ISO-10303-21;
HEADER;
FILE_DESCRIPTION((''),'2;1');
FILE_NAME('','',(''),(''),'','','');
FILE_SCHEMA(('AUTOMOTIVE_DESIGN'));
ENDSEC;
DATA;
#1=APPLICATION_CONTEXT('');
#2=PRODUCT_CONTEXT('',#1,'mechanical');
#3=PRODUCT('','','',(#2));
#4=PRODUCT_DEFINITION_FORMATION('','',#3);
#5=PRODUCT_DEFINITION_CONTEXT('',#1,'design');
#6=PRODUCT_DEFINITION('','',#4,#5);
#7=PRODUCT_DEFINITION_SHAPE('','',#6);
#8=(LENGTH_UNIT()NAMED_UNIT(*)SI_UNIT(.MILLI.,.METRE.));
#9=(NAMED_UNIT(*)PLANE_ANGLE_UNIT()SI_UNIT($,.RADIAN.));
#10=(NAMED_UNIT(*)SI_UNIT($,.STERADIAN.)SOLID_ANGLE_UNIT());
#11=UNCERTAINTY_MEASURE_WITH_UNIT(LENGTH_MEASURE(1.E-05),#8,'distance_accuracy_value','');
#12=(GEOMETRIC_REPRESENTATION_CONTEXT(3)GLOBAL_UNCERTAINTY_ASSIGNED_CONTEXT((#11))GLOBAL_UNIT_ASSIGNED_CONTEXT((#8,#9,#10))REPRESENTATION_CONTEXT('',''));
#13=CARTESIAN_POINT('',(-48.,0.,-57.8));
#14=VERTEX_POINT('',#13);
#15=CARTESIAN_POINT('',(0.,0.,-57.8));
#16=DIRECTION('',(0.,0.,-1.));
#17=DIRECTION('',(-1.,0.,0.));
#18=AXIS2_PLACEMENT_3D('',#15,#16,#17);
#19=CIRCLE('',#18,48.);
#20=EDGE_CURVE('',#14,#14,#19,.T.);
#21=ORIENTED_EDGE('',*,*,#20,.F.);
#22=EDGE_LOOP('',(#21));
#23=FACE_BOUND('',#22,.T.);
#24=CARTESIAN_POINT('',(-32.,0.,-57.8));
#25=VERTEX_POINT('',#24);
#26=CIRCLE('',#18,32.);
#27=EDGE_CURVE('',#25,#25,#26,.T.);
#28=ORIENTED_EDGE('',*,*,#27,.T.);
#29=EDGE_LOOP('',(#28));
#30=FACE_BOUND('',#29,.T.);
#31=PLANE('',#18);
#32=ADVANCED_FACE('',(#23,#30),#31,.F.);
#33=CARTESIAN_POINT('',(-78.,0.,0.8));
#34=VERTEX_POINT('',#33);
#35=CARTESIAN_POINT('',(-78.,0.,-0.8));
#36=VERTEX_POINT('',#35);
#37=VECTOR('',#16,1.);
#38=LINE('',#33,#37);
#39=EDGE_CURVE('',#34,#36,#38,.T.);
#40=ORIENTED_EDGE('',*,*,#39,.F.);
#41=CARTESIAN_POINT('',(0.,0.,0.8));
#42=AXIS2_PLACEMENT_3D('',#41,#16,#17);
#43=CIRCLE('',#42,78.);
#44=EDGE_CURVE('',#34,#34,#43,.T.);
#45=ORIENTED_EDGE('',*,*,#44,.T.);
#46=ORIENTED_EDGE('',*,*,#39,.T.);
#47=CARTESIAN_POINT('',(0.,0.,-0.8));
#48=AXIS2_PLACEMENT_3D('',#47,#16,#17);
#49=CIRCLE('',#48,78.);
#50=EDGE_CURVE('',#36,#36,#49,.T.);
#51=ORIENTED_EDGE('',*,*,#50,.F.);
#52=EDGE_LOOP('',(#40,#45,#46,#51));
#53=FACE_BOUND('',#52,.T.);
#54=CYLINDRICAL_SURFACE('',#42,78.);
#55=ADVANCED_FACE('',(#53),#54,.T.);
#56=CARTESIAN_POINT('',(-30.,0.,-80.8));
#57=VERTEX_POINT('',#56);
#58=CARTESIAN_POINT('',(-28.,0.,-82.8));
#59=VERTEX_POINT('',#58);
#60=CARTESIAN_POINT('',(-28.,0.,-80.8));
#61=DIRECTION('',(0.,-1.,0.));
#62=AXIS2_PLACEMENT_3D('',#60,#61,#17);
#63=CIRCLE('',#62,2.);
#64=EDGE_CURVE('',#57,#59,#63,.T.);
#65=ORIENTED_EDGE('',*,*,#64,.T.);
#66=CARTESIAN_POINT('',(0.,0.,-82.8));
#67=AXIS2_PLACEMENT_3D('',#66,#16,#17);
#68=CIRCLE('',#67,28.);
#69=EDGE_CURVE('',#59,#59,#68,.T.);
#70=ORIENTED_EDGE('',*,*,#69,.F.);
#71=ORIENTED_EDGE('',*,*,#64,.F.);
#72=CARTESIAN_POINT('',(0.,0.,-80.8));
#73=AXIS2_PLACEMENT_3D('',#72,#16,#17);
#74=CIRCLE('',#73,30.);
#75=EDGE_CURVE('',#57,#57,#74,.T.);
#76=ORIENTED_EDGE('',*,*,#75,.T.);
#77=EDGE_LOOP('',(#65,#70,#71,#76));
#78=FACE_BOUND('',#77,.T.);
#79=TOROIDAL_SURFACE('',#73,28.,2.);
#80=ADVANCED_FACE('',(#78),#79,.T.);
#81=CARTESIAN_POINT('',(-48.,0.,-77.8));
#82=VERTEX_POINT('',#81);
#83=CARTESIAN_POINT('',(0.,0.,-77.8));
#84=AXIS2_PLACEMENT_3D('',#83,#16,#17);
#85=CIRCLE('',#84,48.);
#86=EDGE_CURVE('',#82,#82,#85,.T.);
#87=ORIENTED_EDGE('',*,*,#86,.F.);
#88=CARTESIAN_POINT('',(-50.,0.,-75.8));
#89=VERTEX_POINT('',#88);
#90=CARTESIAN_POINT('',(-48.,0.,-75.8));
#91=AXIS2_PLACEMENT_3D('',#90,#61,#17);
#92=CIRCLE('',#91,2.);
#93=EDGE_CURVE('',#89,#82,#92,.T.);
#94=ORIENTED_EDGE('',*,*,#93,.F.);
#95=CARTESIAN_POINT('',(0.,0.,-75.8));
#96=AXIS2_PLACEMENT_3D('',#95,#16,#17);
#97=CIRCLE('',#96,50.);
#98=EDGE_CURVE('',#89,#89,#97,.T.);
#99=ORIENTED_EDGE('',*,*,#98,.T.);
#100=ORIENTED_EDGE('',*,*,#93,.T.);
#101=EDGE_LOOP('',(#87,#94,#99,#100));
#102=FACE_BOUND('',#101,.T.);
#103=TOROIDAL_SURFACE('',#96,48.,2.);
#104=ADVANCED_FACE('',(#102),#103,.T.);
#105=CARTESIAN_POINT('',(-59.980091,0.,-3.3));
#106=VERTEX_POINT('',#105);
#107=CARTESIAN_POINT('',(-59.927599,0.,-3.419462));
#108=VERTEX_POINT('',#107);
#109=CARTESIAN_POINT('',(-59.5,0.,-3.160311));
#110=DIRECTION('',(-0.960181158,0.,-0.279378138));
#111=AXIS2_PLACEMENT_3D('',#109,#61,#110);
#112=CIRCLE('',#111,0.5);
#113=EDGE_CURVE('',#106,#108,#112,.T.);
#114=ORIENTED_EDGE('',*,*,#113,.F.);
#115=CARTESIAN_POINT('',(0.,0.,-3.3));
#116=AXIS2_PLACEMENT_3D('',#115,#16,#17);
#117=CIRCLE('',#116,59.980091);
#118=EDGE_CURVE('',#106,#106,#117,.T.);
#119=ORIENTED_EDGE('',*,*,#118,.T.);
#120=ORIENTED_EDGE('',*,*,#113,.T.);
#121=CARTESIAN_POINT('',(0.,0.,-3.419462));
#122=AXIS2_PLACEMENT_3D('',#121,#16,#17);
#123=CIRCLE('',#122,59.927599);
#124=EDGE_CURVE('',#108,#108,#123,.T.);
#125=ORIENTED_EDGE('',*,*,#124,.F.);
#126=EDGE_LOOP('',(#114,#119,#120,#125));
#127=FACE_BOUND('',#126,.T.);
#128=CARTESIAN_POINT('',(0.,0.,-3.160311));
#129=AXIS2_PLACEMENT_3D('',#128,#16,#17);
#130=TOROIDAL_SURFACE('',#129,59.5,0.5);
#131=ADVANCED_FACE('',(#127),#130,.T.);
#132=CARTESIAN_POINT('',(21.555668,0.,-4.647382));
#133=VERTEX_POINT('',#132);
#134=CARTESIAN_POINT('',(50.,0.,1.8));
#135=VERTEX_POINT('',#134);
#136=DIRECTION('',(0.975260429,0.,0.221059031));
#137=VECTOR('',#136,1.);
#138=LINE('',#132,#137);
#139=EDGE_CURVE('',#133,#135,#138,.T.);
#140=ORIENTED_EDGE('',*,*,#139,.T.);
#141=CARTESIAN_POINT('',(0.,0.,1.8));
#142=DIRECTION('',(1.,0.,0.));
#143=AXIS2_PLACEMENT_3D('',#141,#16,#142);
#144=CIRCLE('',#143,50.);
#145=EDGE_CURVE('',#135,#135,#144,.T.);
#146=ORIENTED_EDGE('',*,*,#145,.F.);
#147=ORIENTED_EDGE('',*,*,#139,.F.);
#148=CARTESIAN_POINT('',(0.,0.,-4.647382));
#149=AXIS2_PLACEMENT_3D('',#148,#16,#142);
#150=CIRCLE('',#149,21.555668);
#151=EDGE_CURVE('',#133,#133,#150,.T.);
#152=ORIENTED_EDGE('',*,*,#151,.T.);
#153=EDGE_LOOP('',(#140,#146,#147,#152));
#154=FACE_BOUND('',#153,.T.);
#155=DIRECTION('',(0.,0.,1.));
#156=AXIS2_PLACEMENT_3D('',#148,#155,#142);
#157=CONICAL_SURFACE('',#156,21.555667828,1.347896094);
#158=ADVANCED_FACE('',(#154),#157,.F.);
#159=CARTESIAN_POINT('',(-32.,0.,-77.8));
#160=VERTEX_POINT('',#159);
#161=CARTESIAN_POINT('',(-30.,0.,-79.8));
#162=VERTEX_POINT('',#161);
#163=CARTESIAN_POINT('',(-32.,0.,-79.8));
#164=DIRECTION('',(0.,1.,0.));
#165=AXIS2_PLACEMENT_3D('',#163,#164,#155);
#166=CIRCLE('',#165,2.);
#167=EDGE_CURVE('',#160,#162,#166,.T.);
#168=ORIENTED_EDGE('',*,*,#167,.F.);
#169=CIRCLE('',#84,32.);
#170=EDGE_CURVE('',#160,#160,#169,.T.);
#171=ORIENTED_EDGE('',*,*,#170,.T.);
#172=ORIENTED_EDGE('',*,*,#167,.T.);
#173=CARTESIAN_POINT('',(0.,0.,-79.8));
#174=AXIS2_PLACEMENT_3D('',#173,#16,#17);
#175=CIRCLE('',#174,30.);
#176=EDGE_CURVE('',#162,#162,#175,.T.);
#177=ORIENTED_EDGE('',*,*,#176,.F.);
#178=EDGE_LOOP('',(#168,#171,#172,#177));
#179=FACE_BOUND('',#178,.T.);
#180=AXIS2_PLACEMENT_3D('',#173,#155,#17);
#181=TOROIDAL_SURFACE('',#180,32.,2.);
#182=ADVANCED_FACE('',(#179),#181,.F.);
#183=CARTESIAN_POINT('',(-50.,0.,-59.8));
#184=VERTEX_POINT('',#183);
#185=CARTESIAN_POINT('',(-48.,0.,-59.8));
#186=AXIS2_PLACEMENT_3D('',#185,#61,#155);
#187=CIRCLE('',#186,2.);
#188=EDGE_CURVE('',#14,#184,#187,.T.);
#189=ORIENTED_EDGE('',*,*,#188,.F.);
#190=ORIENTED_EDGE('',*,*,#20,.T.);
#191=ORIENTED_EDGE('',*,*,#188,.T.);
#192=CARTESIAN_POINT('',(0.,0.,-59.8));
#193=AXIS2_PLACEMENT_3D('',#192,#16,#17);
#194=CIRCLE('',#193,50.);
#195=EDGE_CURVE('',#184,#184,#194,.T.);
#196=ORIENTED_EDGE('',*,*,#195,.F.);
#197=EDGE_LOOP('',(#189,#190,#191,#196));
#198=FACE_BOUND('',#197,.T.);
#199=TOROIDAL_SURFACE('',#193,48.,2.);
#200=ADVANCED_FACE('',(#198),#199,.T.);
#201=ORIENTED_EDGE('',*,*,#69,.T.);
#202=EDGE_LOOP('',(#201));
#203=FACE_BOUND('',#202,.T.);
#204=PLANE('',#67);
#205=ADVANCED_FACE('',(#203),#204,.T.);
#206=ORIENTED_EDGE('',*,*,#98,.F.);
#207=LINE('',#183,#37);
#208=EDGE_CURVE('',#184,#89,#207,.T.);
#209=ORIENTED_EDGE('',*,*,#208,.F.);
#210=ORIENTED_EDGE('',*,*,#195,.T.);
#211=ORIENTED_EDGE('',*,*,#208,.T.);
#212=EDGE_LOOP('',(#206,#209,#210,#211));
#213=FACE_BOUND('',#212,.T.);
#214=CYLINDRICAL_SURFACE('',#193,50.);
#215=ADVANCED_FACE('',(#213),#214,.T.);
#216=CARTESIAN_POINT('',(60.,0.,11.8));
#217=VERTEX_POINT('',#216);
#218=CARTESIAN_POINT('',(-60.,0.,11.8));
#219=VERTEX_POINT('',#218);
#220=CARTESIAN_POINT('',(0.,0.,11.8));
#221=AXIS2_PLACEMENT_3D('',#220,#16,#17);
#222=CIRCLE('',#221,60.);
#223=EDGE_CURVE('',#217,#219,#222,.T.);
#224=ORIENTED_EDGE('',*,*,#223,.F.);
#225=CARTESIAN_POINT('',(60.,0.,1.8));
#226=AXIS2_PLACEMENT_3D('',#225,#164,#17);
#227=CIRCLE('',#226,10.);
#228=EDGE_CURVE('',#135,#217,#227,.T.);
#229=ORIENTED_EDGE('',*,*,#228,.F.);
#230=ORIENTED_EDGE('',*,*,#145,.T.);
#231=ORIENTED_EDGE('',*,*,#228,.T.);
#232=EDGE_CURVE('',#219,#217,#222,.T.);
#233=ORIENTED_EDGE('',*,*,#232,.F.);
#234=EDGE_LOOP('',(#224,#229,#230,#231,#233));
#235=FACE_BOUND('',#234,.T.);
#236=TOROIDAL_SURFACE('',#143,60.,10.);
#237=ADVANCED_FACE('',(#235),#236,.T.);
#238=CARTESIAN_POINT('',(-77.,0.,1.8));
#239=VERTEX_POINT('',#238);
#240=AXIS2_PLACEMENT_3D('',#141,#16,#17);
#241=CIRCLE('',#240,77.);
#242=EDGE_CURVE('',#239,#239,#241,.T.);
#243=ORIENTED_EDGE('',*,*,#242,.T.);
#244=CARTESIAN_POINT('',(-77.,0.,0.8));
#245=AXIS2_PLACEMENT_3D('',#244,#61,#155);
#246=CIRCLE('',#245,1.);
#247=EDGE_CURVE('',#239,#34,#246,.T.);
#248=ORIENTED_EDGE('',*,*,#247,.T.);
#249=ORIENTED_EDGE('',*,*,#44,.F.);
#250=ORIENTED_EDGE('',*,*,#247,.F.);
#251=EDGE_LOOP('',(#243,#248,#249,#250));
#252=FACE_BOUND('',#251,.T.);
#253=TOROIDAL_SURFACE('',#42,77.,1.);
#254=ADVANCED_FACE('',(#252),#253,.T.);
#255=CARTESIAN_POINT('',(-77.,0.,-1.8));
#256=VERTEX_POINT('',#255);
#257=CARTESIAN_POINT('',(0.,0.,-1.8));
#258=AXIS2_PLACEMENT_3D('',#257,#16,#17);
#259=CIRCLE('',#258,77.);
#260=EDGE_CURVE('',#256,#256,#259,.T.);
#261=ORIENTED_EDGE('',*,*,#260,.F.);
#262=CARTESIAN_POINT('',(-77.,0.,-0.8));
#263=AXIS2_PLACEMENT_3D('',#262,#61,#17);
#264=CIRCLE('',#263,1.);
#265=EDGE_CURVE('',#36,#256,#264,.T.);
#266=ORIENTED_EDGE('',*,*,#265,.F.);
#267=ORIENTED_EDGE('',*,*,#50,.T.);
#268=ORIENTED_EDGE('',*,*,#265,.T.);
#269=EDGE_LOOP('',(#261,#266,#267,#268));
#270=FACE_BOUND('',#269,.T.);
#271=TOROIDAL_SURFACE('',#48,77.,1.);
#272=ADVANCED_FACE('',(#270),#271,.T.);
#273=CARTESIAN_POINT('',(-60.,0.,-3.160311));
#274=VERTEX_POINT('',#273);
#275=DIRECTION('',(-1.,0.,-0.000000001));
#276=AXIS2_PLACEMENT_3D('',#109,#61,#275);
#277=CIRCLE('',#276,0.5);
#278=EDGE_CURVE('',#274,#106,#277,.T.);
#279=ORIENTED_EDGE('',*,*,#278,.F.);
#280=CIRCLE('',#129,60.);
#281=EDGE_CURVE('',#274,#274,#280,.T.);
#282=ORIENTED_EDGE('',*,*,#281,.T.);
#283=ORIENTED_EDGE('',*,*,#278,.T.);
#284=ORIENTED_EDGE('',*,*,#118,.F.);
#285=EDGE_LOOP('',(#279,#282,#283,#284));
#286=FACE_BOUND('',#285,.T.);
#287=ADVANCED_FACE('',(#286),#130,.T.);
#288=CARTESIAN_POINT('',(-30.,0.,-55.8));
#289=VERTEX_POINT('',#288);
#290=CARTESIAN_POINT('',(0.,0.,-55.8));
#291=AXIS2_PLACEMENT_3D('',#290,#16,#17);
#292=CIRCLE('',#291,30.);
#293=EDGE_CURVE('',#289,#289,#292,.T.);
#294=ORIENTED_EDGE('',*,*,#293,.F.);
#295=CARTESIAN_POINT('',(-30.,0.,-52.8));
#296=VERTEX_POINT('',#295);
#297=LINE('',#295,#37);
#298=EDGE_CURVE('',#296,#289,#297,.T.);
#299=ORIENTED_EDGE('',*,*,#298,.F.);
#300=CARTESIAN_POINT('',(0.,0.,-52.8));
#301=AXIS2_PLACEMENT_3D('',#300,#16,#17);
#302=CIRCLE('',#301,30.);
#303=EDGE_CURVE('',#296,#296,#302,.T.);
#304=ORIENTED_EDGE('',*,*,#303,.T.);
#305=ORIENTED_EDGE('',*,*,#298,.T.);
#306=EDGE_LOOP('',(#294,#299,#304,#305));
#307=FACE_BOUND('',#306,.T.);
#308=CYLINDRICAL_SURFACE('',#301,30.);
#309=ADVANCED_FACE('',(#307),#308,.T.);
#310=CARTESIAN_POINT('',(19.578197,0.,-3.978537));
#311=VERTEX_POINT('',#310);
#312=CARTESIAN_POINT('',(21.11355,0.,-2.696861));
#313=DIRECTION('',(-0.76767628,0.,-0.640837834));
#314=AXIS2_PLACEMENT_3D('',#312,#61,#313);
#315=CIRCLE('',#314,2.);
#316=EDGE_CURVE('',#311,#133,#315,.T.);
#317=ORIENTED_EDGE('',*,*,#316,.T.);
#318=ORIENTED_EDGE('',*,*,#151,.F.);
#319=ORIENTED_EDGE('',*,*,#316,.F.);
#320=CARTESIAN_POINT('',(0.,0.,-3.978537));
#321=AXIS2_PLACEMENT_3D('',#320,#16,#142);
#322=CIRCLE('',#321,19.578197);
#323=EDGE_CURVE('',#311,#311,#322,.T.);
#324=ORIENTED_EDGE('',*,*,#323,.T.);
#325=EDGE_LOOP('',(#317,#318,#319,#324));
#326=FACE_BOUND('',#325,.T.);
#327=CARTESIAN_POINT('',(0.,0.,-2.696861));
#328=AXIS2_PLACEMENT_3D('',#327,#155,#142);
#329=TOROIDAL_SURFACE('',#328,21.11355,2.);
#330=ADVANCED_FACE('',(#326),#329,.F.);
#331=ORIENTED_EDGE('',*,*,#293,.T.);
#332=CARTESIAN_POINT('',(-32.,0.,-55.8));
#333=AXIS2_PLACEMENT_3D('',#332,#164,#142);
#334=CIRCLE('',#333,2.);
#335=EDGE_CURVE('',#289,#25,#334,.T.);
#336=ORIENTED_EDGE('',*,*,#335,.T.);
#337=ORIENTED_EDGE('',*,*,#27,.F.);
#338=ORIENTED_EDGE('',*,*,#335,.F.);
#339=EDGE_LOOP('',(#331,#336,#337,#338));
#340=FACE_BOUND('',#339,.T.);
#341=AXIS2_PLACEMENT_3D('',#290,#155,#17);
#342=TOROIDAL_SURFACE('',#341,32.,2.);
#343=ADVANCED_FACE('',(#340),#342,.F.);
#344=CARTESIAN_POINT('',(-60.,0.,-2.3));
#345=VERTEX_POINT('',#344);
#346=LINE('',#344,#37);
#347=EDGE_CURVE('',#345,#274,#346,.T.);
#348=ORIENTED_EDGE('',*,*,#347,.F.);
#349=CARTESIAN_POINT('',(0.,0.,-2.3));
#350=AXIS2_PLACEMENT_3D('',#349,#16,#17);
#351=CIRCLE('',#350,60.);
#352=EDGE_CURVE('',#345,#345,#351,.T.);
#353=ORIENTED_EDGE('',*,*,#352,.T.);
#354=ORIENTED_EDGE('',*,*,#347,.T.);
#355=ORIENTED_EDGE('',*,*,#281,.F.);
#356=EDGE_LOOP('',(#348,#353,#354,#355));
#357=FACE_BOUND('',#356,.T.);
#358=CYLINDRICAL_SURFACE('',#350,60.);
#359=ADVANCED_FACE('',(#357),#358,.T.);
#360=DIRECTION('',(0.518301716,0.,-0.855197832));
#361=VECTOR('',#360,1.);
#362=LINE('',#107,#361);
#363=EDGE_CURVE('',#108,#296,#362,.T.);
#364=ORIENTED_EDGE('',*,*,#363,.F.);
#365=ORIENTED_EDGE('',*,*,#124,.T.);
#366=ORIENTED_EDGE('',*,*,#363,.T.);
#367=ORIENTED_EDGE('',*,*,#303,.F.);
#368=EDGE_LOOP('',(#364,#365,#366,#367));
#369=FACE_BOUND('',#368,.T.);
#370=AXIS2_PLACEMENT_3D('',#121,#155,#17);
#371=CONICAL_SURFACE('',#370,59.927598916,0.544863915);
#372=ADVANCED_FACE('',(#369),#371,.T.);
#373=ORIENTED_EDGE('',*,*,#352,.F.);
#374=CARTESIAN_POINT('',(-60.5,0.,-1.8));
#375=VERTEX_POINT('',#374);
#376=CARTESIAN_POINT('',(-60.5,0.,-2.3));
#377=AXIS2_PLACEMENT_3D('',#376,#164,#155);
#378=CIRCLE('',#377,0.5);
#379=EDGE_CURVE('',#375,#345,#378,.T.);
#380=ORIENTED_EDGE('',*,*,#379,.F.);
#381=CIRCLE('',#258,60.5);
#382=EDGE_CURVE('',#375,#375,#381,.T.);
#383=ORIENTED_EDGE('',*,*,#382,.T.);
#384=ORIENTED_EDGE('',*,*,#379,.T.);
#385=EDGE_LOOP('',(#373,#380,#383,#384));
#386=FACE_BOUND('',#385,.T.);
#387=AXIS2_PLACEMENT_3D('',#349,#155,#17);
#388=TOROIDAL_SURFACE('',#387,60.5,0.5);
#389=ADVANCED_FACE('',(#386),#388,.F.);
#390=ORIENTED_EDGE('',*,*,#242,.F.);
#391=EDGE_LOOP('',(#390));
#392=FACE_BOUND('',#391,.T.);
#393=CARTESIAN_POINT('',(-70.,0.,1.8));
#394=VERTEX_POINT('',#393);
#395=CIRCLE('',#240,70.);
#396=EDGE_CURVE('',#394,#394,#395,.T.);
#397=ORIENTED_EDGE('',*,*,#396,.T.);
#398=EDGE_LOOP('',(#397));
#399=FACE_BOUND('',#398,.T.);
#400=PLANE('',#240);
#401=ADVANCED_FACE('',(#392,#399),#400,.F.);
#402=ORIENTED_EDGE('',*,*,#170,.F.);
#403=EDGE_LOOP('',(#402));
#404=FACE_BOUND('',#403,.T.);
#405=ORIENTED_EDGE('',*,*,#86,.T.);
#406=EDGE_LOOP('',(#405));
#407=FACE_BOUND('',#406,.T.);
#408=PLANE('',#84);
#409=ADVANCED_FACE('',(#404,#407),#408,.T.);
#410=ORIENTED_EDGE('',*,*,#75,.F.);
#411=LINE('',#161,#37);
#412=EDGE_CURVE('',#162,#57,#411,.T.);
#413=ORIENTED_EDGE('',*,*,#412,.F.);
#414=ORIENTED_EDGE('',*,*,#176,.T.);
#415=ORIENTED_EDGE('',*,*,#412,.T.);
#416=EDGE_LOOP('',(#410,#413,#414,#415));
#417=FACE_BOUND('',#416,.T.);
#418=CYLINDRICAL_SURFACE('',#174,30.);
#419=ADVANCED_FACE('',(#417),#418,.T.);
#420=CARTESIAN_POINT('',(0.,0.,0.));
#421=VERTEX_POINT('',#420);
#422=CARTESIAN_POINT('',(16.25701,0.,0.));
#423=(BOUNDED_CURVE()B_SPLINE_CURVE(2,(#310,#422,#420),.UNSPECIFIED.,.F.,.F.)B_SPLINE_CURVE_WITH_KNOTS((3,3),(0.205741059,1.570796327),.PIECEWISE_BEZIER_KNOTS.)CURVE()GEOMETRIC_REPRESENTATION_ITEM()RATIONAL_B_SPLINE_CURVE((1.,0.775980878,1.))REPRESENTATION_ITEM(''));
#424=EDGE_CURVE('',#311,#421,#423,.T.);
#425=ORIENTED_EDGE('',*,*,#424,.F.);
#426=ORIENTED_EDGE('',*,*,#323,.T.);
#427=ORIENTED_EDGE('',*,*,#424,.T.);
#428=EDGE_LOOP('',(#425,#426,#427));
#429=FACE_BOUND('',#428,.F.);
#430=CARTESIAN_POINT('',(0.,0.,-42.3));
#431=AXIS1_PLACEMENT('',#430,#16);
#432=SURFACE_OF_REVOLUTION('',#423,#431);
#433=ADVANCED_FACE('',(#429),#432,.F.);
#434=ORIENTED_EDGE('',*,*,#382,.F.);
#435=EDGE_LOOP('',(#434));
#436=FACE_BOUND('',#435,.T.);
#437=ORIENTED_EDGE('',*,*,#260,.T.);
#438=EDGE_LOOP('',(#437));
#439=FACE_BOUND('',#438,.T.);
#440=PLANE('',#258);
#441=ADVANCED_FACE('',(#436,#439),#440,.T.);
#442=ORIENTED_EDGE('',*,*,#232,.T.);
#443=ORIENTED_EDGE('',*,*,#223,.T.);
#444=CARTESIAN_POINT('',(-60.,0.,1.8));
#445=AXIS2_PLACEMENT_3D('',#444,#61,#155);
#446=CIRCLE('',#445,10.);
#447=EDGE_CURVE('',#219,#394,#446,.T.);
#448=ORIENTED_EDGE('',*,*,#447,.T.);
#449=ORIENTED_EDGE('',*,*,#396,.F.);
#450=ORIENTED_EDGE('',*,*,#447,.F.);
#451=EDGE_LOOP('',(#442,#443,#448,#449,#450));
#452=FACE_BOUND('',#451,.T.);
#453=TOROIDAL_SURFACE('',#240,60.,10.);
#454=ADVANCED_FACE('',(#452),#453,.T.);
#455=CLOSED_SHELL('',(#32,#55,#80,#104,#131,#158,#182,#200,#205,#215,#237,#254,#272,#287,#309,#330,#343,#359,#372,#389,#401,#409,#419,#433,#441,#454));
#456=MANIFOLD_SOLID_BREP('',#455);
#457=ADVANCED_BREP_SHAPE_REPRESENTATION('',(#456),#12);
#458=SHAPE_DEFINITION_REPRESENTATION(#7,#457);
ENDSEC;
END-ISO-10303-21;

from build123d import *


with BuildPart() as f1:
    # F0 (on Front) → F1 (revolve)
    with BuildSketch(Plane.XZ):
        with BuildLine():
            Line((-50, 1.8), (0, 1.8))
            Line((0, 1.8), (0, 11.8))
            Line((0, 11.8), (-60, 11.8))
            ThreePointArc((-60, 11.8), (-67.0710678119, 8.8710678119), (-70, 1.8))
            Line((-70, 1.8), (-50, 1.8))
        make_face()
        with BuildLine():
            Line((0, -52.8), (0, -3.3))
            Line((0, -3.3), (-59.9800905789, -3.3))
            ThreePointArc((-59.9800905789, -3.3), (-59.9577584892, -3.3614505977), (-59.9275989158, -3.419461789))
            Line((-59.9275989158, -3.419461789), (-30, -52.8))
            Line((-30, -52.8), (0, -52.8))
        make_face()
        with BuildLine():
            Line((0, -82.8), (0, -52.8))
            Line((0, -52.8), (-30, -52.8))
            Line((-30, -52.8), (-30, -55.8))
            ThreePointArc((-30, -55.8), (-30.5857864376, -57.2142135624), (-32, -57.8))
            Line((-32, -57.8), (-48, -57.8))
            ThreePointArc((-48, -57.8), (-49.4142135624, -58.3857864376), (-50, -59.8))
            Line((-50, -59.8), (-50, -75.8))
            ThreePointArc((-50, -75.8), (-49.4142135624, -77.2142135624), (-48, -77.8))
            Line((-48, -77.8), (-32, -77.8))
            ThreePointArc((-32, -77.8), (-30.5857864376, -78.3857864376), (-30, -79.8))
            Line((-30, -79.8), (-30, -80.8))
            ThreePointArc((-30, -80.8), (-29.4142135624, -82.2142135624), (-28, -82.8))
            Line((-28, -82.8), (0, -82.8))
        make_face()
        with BuildLine():
            Line((0, 0), (0, 1.8))
            Line((0, 1.8), (-50, 1.8))
            Line((-50, 1.8), (-70, 1.8))
            Line((-70, 1.8), (-77, 1.8))
            ThreePointArc((-77, 1.8), (-77.7071067812, 1.5071067812), (-78, 0.8))
            Line((-78, 0.8), (-78, -0.8))
            ThreePointArc((-78, -0.8), (-77.7071067812, -1.5071067812), (-77, -1.8))
            Line((-77, -1.8), (-60.5, -1.8))
            Line((-60.5, -1.8), (-60, -1.8))
            Line((-60, -1.8), (0, -1.8))
            Line((0, -1.8), (0, 0))
        make_face()
        with BuildLine():
            Line((0, -3.3), (0, -1.8))
            Line((0, -1.8), (-60, -1.8))
            Line((-60, -1.8), (-60.5, -1.8))
            ThreePointArc((-60.5, -1.8), (-60.1464466094, -1.9464466094), (-60, -2.3))
            Line((-60, -2.3), (-60, -3.1603109309))
            ThreePointArc((-60, -3.1603109309), (-59.9949976209, -3.2308613049), (-59.9800905789, -3.3))
            Line((-59.9800905789, -3.3), (0, -3.3))
        make_face()
    revolve(axis=Axis((0, 0, -42.3), (0, 0, -1)))

    # F0 (on Front) → F2 (revolve, cut)
    with BuildSketch(Plane.XZ):
        with BuildLine():
            Line((0, 11.8), (0, 1.8))
            Line((0, 1.8), (0, 0))
            add(Edge.make_bspline(
                [(19.5781972069, -3.9785367686), (16.257009679, 0), (0, 0)],
                knots=[0.2057410594, 0.2057410594, 0.2057410594, 1.5707963268, 1.5707963268, 1.5707963268], degree=2, weights=[1, 0.7759808781, 1]))
            ThreePointArc((19.5781972069, -3.9785367686), (20.4727464508, -4.5914246678), (21.5556678276, -4.6473819591))
            Line((21.5556678276, -4.6473819591), (50, 1.8))
            ThreePointArc((50, 1.8), (52.9289321881, 8.8710678119), (60, 11.8))
            Line((60, 11.8), (0, 11.8))
        make_face()
    revolve(axis=Axis((0, 0, -42.3), (0, 0, -1)), mode=Mode.SUBTRACT)


solid = f1.part
